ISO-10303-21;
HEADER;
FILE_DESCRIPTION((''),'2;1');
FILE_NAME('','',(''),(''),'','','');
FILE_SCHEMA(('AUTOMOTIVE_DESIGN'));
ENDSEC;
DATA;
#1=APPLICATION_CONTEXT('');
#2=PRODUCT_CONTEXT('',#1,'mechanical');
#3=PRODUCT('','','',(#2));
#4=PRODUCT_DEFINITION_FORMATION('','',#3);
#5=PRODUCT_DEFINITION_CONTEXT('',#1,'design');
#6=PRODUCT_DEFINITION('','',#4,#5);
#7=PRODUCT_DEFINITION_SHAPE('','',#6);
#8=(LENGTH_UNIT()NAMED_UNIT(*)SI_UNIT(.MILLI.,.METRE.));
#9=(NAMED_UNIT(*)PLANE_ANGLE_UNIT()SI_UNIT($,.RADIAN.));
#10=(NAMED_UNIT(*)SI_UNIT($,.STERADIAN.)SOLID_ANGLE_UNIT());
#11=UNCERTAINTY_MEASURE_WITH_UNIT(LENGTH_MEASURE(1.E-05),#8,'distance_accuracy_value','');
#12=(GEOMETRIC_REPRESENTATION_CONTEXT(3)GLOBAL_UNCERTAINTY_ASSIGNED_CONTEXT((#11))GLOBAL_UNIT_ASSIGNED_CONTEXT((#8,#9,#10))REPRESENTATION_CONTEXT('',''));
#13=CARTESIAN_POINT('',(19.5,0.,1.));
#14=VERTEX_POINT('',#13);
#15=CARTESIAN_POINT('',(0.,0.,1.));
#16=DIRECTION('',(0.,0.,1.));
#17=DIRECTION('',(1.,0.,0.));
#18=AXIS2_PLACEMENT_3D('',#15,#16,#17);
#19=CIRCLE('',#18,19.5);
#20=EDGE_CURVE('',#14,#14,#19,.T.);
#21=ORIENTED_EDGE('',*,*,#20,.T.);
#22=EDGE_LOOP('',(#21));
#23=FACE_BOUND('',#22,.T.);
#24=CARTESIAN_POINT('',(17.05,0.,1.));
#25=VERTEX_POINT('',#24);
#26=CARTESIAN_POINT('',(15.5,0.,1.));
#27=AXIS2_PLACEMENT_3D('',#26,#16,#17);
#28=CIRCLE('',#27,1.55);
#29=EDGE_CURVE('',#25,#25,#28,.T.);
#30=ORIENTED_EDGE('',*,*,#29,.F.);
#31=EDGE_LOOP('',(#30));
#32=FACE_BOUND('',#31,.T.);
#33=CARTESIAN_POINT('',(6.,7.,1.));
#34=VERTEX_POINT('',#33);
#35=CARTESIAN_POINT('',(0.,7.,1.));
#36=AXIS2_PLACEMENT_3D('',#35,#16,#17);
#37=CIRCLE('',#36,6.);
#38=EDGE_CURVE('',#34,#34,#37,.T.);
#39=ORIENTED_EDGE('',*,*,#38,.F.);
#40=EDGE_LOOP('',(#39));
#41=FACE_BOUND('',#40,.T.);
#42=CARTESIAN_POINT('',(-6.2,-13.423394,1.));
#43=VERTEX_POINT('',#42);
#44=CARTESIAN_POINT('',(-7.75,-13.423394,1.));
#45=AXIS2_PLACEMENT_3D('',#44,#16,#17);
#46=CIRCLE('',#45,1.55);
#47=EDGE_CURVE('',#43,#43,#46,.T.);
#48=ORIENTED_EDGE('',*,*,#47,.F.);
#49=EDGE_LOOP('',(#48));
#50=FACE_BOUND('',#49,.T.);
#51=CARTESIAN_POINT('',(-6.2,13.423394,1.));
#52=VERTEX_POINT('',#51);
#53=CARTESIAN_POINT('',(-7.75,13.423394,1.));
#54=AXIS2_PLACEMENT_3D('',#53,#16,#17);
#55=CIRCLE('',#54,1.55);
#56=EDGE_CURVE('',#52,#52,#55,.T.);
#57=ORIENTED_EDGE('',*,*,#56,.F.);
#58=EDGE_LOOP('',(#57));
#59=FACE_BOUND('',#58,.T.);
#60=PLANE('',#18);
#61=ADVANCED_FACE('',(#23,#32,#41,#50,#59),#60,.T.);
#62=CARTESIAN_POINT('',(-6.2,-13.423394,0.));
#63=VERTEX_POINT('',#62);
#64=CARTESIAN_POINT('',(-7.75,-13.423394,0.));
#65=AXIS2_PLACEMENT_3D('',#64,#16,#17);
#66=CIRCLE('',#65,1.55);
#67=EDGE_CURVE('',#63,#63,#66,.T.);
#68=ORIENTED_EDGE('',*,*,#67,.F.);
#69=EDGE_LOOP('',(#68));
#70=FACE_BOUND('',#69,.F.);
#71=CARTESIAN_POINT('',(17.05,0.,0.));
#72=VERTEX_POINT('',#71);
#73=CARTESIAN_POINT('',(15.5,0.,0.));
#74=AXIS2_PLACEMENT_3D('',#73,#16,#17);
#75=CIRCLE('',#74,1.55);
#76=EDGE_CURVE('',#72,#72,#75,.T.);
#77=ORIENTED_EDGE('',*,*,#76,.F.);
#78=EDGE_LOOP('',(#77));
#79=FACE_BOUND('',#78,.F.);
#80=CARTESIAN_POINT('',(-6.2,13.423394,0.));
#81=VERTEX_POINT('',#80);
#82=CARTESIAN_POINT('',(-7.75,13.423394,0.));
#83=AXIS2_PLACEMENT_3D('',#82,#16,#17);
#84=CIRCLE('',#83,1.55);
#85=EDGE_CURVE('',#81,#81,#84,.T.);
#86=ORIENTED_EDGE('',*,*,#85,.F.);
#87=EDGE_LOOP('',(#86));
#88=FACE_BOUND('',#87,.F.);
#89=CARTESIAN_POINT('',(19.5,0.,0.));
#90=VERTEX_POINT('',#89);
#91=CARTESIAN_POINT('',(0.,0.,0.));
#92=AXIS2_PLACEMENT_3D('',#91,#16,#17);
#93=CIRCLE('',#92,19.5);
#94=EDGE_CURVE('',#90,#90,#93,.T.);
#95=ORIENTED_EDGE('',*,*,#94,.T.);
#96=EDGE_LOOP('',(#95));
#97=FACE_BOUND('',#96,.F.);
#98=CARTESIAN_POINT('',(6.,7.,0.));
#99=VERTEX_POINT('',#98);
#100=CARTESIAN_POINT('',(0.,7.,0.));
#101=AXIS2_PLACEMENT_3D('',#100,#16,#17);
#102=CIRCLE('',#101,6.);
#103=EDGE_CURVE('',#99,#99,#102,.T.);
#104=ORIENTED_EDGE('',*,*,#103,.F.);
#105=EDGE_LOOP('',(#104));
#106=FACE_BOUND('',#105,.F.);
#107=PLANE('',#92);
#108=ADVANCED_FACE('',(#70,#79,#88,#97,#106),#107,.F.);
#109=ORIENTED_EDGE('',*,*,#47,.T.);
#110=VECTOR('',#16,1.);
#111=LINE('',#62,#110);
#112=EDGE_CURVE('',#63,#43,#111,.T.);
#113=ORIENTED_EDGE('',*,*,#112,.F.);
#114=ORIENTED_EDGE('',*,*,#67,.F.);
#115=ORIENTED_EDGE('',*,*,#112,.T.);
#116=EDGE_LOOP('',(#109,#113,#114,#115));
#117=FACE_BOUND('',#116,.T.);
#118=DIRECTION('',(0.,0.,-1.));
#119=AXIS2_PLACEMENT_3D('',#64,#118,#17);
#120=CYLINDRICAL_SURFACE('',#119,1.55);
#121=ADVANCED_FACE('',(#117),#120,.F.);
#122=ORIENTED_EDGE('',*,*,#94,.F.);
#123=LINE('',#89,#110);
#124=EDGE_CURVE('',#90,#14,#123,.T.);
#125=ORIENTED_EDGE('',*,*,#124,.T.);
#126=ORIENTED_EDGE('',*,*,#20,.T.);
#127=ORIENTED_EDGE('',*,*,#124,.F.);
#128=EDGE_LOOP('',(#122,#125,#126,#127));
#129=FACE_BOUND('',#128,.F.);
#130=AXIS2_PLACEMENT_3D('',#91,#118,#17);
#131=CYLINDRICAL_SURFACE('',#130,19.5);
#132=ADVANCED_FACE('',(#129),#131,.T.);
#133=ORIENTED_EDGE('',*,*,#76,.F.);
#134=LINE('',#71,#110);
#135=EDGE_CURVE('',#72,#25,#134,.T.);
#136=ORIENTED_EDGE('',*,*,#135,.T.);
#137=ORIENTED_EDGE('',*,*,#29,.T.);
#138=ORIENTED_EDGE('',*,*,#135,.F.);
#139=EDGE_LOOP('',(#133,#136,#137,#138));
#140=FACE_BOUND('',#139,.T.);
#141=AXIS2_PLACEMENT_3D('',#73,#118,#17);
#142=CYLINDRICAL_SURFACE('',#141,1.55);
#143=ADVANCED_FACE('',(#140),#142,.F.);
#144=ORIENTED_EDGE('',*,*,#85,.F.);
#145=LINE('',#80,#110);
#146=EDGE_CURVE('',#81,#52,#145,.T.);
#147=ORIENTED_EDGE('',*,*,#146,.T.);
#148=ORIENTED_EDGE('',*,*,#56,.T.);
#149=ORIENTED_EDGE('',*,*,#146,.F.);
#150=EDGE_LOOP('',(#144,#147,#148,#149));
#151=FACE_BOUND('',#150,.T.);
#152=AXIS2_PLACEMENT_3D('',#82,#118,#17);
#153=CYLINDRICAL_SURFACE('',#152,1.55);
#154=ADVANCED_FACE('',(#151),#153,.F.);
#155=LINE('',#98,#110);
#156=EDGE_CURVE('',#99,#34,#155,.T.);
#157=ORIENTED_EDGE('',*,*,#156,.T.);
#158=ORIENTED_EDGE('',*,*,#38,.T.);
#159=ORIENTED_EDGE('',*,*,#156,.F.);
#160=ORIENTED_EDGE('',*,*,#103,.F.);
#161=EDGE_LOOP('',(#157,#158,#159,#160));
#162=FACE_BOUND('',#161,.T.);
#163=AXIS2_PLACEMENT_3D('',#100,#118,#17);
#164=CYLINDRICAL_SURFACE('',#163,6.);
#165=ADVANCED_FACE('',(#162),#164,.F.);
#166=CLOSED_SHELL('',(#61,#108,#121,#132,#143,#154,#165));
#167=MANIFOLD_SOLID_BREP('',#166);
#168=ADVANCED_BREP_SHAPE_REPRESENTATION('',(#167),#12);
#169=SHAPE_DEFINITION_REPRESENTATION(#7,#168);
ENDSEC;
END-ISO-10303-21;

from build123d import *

# Parameters (mm, degrees)
F0_R     = 19.5
F0_R_2   = 1.55
F0_R_3   = 6
F1_DEPTH = 1


with BuildPart() as f1:
    # F0 (on Top) → F1 (new body)
    with BuildSketch(Plane.XY):
        Circle(F0_R)
        with Locations((-7.75, -13.423394)):
            Circle(F0_R_2, mode=Mode.SUBTRACT)
        with Locations((-7.75, 13.423394)):
            Circle(F0_R_2, mode=Mode.SUBTRACT)
        with Locations((0, 7)):
            Circle(F0_R_3, mode=Mode.SUBTRACT)
        with Locations((15.5, 0)):
            Circle(F0_R_2, mode=Mode.SUBTRACT)
    extrude(amount=F1_DEPTH)


solid = f1.part
